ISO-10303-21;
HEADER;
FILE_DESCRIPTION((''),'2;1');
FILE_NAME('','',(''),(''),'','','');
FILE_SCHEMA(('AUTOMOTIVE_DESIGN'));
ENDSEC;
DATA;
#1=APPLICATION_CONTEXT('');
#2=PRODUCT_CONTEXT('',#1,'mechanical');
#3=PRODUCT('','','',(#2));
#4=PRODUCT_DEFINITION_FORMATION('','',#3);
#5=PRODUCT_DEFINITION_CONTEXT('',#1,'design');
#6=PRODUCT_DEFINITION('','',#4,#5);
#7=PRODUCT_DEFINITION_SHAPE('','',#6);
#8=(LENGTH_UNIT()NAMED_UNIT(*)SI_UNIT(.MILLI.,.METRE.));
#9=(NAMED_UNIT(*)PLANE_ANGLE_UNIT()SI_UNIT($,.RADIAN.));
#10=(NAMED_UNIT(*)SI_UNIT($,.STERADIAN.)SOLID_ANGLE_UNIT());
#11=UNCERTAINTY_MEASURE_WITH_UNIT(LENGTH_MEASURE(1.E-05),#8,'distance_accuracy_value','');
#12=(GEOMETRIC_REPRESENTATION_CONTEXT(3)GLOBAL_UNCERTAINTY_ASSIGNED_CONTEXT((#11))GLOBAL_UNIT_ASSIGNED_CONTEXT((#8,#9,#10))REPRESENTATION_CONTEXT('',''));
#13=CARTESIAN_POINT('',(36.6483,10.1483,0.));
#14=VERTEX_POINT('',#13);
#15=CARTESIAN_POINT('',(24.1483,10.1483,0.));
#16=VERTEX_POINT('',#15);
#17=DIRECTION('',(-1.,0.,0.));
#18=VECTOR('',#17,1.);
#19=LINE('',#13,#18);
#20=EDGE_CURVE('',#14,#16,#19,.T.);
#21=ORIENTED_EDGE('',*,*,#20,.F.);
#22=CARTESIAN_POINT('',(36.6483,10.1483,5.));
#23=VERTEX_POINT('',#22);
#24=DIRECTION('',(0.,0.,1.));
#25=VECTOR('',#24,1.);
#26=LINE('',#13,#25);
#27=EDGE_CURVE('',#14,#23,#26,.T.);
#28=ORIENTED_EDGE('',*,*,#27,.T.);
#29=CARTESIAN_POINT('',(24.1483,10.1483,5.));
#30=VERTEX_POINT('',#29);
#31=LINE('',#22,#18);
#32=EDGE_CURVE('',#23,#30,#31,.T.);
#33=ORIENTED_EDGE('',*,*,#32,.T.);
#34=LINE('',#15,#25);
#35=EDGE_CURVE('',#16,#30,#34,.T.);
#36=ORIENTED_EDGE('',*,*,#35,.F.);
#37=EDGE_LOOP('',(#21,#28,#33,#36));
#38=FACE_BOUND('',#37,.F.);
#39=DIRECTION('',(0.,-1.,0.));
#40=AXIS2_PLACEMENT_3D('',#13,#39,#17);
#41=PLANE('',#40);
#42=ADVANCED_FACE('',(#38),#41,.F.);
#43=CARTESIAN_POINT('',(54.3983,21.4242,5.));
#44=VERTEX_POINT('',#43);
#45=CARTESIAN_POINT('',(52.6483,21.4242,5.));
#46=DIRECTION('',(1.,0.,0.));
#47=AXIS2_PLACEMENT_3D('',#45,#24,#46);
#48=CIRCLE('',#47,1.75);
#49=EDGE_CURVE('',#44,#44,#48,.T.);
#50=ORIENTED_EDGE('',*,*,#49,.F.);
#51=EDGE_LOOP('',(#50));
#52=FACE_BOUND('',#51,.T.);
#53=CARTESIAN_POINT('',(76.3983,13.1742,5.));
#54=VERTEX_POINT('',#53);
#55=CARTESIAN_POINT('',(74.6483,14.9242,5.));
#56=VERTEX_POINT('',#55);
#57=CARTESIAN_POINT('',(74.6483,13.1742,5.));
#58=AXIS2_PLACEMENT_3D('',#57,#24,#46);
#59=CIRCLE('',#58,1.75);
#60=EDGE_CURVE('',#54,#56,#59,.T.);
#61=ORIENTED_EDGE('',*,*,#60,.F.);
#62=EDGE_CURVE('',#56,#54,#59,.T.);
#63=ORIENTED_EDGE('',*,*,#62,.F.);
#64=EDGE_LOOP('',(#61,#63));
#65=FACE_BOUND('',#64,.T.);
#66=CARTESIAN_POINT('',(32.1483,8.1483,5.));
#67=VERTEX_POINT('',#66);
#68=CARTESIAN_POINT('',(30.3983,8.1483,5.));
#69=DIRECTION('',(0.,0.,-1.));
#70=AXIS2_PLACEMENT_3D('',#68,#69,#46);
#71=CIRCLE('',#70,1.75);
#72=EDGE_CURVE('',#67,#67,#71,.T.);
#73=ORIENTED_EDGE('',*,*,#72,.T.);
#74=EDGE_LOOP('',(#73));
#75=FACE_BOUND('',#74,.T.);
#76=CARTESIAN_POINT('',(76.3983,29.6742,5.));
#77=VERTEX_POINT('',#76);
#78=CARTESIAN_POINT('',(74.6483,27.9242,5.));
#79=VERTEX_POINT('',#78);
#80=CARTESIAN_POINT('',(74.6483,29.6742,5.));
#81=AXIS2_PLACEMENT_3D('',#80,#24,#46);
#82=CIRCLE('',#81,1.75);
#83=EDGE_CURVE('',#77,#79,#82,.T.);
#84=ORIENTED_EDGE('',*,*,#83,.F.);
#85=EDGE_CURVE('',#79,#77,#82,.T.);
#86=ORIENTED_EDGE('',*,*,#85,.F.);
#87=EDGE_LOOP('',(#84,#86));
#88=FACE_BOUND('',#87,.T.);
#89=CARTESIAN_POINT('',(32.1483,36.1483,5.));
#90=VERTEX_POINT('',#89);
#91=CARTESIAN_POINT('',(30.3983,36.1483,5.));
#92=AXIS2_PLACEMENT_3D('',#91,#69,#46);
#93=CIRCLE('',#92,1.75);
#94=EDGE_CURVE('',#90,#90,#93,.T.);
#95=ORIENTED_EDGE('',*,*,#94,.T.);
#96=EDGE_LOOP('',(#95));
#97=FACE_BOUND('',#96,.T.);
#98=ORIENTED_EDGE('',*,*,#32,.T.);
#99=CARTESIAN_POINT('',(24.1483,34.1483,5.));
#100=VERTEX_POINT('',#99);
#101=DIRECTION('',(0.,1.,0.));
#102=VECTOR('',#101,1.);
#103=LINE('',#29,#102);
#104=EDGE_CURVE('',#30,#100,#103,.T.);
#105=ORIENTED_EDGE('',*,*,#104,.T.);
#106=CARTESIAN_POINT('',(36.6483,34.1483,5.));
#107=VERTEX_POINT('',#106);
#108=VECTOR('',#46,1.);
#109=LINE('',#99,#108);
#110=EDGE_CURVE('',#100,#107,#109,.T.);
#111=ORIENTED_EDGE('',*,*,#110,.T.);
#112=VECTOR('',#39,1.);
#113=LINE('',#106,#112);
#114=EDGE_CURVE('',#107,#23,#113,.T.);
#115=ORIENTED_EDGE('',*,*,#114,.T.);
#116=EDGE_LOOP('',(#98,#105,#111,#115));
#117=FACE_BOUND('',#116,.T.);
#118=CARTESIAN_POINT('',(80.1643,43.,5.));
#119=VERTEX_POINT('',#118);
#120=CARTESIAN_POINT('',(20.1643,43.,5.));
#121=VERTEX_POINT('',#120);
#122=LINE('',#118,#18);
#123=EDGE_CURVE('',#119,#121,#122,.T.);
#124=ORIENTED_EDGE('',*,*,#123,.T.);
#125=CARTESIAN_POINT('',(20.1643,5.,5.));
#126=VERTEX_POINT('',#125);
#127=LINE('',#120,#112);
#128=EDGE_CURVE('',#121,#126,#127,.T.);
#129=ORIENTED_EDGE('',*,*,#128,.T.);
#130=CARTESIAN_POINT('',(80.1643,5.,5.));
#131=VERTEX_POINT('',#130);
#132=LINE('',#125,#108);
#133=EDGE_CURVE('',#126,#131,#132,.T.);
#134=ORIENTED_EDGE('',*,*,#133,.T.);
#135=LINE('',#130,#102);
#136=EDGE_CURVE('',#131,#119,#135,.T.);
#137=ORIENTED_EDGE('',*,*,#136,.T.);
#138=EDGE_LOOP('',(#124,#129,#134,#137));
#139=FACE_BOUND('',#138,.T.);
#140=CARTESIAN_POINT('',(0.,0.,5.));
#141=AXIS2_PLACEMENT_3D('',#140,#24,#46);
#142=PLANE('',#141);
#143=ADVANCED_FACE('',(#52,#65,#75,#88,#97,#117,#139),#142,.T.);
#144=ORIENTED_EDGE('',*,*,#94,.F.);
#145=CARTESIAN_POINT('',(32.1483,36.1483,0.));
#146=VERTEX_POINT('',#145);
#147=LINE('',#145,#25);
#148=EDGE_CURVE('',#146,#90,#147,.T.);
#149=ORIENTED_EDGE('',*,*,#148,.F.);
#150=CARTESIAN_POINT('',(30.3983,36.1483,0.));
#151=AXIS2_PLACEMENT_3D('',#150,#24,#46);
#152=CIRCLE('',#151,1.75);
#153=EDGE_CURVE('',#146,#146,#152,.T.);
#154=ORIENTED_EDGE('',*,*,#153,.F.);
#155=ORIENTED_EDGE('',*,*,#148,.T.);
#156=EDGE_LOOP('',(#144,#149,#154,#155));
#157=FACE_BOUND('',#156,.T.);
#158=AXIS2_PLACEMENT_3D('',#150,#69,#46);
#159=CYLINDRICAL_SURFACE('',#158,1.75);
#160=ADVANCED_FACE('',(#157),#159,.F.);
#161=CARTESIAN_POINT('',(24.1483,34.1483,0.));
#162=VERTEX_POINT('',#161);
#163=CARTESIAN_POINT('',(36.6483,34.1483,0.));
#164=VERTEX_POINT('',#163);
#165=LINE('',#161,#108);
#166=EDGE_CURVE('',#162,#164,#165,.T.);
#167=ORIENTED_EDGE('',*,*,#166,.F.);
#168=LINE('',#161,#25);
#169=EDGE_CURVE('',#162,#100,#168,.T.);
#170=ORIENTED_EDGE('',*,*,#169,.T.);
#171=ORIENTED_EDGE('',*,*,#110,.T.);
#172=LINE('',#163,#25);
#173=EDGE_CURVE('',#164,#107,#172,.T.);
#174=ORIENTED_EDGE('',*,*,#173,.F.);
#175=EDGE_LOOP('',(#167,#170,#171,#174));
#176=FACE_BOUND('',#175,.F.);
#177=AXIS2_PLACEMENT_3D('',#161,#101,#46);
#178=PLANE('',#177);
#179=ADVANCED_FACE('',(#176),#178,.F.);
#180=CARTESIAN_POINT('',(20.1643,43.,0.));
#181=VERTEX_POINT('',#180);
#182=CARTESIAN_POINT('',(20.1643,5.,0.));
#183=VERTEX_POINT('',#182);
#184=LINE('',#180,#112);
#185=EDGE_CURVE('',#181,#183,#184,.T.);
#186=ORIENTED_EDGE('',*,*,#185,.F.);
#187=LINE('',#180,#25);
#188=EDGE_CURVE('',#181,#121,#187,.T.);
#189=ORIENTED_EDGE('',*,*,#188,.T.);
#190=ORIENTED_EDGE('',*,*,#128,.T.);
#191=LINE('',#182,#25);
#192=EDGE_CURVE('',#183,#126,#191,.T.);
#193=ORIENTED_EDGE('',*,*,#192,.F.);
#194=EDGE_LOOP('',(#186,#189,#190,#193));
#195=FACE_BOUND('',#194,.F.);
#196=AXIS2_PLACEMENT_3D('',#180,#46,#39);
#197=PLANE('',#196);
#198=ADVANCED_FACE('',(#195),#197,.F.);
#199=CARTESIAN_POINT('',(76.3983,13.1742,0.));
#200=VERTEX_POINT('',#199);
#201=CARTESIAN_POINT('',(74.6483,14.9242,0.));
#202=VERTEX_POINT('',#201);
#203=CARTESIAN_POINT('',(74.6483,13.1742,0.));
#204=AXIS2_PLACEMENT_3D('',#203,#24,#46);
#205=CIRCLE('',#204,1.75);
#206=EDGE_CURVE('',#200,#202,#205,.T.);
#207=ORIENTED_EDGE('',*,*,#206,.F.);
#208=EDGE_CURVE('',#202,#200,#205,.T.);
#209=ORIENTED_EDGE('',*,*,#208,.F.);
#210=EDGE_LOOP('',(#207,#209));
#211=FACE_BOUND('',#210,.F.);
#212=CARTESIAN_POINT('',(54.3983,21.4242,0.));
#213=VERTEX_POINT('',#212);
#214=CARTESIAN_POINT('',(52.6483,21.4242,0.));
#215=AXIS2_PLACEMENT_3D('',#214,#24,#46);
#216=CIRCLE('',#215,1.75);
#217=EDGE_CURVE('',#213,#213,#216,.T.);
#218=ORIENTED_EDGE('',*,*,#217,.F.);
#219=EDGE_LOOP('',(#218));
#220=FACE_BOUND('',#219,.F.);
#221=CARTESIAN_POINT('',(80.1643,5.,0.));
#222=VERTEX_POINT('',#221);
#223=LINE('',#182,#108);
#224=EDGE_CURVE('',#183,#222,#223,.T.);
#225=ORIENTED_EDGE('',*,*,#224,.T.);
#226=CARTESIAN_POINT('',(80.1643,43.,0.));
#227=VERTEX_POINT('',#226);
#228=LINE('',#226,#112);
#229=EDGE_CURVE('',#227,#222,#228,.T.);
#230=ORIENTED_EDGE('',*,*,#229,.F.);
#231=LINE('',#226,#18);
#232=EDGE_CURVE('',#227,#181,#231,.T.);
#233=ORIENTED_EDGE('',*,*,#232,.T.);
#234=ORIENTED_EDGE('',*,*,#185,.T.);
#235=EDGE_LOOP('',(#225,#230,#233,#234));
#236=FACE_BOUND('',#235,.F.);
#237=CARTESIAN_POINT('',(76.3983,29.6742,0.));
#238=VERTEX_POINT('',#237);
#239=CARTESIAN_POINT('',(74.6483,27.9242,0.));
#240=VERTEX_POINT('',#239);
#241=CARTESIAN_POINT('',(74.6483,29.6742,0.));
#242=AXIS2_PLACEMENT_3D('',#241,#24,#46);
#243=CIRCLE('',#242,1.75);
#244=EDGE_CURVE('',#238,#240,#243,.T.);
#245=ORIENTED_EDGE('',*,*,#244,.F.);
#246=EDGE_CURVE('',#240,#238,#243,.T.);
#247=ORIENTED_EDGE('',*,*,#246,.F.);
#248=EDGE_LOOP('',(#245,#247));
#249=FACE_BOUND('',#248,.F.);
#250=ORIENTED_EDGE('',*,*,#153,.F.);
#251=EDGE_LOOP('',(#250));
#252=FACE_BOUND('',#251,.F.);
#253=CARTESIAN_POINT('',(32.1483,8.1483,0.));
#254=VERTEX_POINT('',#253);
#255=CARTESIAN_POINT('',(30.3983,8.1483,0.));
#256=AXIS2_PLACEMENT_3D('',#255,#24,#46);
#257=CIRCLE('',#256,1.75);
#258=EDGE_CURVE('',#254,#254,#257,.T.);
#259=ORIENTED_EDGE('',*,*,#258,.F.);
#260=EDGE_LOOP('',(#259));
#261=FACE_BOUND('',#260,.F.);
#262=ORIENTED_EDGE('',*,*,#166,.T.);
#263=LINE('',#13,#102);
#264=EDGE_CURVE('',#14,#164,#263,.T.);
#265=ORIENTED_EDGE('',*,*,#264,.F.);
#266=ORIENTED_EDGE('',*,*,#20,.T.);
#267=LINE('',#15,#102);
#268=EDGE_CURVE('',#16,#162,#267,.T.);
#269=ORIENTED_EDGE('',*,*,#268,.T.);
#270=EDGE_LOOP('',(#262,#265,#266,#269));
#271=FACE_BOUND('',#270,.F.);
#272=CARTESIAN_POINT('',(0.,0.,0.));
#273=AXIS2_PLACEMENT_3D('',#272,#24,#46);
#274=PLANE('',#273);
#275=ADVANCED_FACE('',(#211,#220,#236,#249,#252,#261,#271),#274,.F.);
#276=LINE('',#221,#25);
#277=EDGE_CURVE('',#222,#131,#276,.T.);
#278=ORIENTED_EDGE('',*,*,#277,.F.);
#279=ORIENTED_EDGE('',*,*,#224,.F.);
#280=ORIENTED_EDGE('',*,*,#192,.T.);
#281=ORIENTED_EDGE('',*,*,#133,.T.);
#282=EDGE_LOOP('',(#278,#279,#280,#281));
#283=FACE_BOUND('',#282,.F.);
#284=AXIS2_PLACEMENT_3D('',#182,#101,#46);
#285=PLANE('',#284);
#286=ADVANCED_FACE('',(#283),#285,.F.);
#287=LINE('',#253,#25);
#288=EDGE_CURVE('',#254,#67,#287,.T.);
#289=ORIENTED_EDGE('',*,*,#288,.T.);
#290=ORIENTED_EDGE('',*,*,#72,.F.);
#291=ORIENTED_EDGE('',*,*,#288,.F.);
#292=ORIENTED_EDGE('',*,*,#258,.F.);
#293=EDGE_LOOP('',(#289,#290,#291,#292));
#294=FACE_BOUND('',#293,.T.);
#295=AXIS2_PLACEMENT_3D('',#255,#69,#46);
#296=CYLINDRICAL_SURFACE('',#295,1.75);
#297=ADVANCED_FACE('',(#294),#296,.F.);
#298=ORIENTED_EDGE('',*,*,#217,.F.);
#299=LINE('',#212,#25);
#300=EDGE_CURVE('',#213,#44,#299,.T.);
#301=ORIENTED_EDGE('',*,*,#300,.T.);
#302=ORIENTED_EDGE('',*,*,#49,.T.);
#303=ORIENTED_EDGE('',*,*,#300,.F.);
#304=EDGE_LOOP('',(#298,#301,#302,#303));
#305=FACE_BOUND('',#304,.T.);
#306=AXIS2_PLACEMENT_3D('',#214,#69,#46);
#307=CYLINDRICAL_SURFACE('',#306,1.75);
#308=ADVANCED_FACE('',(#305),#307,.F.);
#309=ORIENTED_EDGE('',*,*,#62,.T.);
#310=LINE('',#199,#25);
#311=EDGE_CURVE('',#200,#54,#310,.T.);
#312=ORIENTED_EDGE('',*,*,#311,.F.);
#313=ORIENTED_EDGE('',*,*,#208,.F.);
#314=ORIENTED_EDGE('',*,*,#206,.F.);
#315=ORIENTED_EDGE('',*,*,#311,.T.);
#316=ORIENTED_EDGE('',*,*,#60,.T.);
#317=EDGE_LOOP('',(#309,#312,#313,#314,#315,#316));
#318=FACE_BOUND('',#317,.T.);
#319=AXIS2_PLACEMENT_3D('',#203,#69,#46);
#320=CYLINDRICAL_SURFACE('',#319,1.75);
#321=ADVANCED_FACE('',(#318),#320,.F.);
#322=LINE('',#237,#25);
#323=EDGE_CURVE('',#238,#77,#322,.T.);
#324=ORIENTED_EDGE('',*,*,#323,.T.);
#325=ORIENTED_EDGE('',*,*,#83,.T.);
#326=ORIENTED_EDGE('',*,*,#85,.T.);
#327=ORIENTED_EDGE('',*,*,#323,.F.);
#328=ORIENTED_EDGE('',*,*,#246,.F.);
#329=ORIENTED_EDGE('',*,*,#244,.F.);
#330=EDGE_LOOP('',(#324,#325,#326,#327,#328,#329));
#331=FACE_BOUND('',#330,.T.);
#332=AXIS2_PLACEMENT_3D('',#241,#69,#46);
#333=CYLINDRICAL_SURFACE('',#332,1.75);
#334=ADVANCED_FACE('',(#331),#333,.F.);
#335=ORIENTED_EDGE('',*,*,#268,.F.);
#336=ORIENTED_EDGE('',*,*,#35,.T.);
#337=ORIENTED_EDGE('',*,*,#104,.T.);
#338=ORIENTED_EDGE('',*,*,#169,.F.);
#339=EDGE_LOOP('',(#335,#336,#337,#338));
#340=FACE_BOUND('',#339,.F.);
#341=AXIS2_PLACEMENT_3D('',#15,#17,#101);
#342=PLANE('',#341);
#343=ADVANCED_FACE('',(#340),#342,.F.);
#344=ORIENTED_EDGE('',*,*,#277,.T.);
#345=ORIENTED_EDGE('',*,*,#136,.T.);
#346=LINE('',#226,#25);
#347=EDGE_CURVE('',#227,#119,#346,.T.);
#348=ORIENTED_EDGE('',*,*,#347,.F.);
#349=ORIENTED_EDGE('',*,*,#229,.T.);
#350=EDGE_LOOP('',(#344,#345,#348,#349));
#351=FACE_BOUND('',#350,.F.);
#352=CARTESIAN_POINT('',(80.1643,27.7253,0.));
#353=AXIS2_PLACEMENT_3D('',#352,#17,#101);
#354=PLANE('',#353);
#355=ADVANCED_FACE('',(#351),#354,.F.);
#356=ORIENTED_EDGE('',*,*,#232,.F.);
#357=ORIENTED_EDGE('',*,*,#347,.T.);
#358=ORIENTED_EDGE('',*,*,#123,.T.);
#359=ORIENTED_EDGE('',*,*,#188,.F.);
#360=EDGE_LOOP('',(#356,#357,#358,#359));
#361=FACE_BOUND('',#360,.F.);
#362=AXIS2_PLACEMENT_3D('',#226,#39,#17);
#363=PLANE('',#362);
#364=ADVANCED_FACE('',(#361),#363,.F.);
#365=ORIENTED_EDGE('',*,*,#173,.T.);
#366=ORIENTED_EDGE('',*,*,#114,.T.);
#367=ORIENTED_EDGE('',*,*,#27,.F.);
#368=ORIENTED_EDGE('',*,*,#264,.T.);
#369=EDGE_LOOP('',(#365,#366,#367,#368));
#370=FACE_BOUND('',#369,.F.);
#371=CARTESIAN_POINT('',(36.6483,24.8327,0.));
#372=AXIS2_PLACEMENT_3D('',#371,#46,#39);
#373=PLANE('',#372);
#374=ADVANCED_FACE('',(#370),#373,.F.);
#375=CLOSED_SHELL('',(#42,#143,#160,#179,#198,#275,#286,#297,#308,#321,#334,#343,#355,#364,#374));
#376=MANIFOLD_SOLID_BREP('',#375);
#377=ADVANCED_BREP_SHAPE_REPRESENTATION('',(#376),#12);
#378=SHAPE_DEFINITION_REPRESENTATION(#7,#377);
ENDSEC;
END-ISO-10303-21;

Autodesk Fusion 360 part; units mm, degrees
sketch "Sketch1" plane through (0, 0, 0) normal (0, 0, 1) x (1, 0, 0)
  line L0 (20.1643, 5) -> (80.1643, 5)
  line L1 (80.1643, 5) -> (80.1643, 43)
  line L2 (80.1643, 43) -> (20.1643, 43)
  line L3 (20.1643, 43) -> (20.1643, 5)
  line L4 (24.1483, 34.1483) -> (36.6483, 34.1483)
  line L5 (36.6483, 34.1483) -> (36.6483, 10.1483)
  line L6 (36.6483, 10.1483) -> (24.1483, 10.1483)
  line L7 (24.1483, 10.1483) -> (24.1483, 34.1483)
  circle A0 centre (74.6483, 29.6742) radius 1.75
  circle A1 centre (74.6483, 13.1742) radius 1.75
  line L8 (74.6483, 29.6742) -> (74.6483, 13.1742)
  line L9 (74.6483, 21.4242) -> (52.6483, 21.4242)
  circle A2 centre (52.6483, 21.4242) radius 1.75
  line L10 (95, 35) -> (105, 35)
  line L11 (105, 35) -> (105, 25)
  line L12 (105, 25) -> (95, 25)
  line L13 (95, 25) -> (95, 35)
  circle A3 centre (100, 30) radius 1.75
  circle A4 centre (30.3983, 8.1483) radius 1.75
  line L14 (24.1483, 22.1483) -> (9, 22.1483) construction
  circle A5 centre (30.3983, 36.1483) radius 1.75
  line L15 (80.1643, 27.7253) -> (80.1643, 24.8327)
  line L16 (36.6483, 24.8327) -> (36.6483, 27.7253)
  dimension "d1" = 60
  dimension "d2" = 38
  dimension "d3" = 24
  dimension "d4" = 12.5
  dimension "d6" = 3.5
  dimension "d7" = 16.5
  dimension "d8" = 3.5
  dimension "d9" = 38
  dimension "d10" = 22
  dimension "d11" = 3.5
  dimension "d12" = 3.5
  dimension "d16" = 3.5
  dimension "d17" = 2
extrude "Extrude1" add sketch "Sketch1" along normal blind 5 contours L0 L1 L2 L3 L15 | L10 L11 L12 L13 | A4 | A5 makes body 1 at (41.3983, 21.907, 0) makes body 2 at (99.9564, 33.915, 0)
extrude "Extrude2" cut sketch "Sketch1" along normal blind 100 contours A4 | A5 bodies 1
delete_body "RemoveBody1" bodies 2
